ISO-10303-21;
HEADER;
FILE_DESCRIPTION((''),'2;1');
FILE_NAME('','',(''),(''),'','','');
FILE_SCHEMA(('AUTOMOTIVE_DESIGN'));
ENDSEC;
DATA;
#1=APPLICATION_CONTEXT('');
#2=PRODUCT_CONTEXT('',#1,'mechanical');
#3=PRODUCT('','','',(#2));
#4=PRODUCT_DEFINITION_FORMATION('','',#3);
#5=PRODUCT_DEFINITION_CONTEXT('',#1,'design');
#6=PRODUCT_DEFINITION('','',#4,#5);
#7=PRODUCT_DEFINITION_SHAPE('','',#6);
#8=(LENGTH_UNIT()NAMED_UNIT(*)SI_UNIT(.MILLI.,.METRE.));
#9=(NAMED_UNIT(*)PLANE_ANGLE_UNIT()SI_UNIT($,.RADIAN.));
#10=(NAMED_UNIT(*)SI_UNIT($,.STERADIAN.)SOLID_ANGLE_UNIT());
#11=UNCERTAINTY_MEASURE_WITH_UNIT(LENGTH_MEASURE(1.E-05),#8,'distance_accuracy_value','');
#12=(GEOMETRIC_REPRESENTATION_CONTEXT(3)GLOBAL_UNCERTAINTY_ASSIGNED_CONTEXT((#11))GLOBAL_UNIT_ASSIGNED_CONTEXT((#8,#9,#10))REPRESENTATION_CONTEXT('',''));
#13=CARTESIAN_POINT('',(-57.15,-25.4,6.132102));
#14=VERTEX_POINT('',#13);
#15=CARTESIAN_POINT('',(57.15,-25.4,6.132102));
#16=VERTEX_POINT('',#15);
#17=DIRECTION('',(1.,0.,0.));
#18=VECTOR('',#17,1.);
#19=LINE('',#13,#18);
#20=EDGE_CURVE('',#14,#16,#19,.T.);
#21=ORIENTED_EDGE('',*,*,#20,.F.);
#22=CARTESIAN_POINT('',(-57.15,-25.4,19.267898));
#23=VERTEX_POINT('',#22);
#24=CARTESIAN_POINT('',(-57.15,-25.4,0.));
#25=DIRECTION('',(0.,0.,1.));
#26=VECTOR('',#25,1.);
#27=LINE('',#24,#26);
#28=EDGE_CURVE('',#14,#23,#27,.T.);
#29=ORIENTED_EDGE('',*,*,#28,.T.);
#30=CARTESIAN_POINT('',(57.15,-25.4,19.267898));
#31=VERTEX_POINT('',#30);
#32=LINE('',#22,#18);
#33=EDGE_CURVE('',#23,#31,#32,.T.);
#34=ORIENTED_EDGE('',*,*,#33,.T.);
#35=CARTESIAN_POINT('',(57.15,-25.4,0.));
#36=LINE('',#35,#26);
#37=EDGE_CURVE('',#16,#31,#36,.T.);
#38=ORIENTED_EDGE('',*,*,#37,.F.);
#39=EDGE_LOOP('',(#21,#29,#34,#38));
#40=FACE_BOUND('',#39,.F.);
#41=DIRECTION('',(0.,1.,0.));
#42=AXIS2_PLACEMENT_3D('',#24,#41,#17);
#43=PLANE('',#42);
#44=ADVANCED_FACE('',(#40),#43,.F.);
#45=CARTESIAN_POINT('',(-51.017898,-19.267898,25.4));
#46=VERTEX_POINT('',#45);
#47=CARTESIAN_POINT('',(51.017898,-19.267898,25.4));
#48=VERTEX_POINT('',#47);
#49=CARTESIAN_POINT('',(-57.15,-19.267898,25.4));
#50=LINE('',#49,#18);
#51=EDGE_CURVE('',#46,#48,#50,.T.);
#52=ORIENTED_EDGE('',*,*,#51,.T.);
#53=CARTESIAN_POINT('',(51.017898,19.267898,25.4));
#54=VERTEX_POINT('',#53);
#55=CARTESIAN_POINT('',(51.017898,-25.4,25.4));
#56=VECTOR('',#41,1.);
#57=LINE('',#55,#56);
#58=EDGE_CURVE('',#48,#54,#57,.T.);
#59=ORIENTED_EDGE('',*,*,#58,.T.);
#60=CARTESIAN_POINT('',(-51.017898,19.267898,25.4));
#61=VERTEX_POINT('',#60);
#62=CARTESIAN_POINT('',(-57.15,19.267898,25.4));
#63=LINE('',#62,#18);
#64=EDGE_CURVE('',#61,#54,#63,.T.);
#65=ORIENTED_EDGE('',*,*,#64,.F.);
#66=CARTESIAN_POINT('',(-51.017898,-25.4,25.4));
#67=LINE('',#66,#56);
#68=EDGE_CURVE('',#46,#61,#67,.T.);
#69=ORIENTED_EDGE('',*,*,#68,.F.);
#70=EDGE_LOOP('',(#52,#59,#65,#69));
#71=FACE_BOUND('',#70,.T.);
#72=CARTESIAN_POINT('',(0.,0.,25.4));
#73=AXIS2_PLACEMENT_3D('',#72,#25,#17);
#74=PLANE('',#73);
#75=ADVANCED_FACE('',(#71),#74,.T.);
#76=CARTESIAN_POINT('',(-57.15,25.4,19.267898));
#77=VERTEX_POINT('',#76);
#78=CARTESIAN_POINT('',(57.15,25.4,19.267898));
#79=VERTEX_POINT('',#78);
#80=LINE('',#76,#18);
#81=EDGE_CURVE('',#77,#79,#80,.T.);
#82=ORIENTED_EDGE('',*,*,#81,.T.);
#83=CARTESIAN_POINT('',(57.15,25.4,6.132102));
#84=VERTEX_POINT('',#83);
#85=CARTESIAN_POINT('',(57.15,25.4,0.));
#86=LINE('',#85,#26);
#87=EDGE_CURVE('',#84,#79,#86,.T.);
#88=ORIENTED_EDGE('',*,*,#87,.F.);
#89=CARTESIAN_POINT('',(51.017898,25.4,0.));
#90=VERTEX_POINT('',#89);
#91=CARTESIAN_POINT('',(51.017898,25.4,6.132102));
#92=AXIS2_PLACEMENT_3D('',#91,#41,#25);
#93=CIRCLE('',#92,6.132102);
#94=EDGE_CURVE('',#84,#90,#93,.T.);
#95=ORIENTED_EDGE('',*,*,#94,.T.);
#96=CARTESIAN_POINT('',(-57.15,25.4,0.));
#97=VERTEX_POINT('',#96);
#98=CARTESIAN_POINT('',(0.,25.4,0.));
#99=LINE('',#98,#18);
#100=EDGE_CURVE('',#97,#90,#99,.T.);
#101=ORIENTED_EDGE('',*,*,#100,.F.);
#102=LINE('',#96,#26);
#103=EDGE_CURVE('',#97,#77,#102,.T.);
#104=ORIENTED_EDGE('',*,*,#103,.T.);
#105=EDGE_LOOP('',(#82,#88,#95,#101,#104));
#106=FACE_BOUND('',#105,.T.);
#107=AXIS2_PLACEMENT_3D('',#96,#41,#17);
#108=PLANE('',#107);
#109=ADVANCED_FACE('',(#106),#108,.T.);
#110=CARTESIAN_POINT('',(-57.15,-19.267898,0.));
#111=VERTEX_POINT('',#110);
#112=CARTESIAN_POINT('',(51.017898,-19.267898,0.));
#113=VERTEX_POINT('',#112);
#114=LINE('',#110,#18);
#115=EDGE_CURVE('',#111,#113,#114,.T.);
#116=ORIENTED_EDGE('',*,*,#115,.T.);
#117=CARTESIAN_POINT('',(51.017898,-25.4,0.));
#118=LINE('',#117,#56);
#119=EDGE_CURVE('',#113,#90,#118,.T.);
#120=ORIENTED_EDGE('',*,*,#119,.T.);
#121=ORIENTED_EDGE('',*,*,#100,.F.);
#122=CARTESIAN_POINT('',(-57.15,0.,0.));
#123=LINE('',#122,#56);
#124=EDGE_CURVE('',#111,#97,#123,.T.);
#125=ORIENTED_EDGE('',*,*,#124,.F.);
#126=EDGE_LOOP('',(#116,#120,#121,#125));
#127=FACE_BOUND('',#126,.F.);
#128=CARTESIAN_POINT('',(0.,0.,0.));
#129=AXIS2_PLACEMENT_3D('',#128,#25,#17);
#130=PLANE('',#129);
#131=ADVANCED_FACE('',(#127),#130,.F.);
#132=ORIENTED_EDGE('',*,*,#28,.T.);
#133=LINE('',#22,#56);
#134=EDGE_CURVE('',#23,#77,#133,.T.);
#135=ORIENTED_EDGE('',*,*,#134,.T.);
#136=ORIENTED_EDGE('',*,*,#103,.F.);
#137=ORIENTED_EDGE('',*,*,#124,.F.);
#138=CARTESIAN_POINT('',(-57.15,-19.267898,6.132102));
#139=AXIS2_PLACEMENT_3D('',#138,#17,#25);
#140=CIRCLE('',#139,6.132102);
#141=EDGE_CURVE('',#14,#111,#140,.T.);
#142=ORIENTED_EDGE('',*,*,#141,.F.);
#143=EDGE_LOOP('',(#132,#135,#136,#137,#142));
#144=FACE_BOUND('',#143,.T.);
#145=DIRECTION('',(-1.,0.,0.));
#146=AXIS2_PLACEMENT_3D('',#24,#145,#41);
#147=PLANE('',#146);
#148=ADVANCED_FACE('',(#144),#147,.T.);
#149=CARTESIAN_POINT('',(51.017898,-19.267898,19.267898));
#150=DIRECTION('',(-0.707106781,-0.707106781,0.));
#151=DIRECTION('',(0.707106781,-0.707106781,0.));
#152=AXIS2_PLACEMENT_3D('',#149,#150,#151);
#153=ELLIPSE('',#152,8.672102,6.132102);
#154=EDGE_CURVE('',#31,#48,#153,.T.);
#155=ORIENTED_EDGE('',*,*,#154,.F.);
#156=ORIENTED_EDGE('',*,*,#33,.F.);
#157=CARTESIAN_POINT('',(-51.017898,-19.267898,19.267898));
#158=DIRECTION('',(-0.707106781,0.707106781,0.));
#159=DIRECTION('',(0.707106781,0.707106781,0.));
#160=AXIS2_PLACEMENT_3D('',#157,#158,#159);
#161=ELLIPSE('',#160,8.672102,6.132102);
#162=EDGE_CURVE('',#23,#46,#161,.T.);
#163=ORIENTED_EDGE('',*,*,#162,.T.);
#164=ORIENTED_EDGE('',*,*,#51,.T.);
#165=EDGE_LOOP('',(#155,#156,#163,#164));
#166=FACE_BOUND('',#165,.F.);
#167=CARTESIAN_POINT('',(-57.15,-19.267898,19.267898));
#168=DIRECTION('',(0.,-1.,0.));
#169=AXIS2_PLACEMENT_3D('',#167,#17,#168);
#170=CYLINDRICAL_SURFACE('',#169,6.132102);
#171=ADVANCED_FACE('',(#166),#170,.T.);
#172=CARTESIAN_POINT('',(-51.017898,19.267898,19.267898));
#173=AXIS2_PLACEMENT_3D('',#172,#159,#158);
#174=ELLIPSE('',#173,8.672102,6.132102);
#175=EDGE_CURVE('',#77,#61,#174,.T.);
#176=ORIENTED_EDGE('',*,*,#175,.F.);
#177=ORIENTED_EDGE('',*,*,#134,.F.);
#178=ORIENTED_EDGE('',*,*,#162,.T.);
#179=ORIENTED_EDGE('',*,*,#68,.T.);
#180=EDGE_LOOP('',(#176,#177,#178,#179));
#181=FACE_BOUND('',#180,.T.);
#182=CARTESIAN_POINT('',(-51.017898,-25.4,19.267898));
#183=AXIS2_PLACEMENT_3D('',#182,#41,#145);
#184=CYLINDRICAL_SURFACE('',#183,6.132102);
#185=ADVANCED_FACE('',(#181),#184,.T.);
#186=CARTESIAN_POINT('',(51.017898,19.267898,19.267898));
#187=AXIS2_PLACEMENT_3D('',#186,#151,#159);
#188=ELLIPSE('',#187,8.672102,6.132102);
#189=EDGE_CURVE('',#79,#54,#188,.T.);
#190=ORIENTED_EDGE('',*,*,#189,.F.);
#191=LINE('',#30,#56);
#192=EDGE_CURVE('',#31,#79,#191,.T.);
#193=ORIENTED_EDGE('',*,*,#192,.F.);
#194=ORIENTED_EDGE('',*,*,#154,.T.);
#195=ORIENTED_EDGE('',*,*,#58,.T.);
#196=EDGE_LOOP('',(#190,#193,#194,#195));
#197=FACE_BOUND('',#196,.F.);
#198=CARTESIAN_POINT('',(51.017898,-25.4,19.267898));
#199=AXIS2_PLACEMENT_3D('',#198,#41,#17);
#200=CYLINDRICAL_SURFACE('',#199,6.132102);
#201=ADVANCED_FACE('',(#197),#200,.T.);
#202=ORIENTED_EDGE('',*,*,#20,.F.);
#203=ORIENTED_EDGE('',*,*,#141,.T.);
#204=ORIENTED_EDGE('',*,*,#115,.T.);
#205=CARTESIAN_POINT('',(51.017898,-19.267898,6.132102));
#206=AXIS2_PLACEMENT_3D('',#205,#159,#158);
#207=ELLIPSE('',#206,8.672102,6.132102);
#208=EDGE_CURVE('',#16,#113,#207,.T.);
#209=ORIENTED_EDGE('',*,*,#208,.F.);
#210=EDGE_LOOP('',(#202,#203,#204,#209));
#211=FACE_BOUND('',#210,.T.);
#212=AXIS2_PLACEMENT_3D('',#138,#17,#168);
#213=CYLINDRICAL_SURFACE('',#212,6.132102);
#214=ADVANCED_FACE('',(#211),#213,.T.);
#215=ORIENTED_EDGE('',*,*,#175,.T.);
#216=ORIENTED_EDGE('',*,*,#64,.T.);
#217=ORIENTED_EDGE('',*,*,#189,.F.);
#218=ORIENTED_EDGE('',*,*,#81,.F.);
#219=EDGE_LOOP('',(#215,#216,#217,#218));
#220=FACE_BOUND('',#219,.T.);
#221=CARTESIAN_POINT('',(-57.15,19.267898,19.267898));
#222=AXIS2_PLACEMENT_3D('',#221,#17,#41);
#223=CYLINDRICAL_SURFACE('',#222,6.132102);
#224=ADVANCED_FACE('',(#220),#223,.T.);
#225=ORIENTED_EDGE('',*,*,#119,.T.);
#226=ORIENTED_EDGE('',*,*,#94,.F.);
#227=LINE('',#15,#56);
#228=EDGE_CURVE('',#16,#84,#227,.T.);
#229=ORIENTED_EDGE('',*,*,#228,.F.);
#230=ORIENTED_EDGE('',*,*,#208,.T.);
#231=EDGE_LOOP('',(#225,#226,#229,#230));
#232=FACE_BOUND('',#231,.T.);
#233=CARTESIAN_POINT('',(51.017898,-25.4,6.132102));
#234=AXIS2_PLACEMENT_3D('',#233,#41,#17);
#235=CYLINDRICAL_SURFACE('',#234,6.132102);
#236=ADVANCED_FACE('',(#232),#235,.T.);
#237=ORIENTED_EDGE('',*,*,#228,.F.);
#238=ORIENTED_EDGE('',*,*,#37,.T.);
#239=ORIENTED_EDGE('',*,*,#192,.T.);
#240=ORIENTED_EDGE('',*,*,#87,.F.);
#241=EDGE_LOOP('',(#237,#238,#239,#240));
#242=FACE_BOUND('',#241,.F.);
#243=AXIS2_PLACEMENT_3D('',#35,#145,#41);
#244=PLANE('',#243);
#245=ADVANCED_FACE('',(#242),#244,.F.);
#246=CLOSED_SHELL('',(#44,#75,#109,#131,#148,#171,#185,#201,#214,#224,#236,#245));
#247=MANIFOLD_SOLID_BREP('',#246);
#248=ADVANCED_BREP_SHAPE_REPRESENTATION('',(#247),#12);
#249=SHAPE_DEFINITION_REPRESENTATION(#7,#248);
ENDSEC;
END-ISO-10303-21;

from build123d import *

# Parameters (mm, degrees)
F0_W     = 114.3
F0_H     = 50.8
F1_DEPTH = 25.4
F2_R     = 6.132102


with BuildPart() as f1:
    # F0 (on Top) → F1 (new body)
    with BuildSketch(Plane.XY):
        Rectangle(F0_W, F0_H)
    extrude(amount=F1_DEPTH)

    # F2
    f2_edges = [f1.edges().sort_by_distance(p)[0] for p in [
        (57.15, 0, 0),
        (-57.15, 0, 25.4),
        (0, -25.4, 25.4),
        (0, 25.4, 25.4),
        (57.15, 0, 25.4),
        (0, -25.4, 0),
    ]]
    fillet(f2_edges, radius=F2_R)


solid = f1.part
